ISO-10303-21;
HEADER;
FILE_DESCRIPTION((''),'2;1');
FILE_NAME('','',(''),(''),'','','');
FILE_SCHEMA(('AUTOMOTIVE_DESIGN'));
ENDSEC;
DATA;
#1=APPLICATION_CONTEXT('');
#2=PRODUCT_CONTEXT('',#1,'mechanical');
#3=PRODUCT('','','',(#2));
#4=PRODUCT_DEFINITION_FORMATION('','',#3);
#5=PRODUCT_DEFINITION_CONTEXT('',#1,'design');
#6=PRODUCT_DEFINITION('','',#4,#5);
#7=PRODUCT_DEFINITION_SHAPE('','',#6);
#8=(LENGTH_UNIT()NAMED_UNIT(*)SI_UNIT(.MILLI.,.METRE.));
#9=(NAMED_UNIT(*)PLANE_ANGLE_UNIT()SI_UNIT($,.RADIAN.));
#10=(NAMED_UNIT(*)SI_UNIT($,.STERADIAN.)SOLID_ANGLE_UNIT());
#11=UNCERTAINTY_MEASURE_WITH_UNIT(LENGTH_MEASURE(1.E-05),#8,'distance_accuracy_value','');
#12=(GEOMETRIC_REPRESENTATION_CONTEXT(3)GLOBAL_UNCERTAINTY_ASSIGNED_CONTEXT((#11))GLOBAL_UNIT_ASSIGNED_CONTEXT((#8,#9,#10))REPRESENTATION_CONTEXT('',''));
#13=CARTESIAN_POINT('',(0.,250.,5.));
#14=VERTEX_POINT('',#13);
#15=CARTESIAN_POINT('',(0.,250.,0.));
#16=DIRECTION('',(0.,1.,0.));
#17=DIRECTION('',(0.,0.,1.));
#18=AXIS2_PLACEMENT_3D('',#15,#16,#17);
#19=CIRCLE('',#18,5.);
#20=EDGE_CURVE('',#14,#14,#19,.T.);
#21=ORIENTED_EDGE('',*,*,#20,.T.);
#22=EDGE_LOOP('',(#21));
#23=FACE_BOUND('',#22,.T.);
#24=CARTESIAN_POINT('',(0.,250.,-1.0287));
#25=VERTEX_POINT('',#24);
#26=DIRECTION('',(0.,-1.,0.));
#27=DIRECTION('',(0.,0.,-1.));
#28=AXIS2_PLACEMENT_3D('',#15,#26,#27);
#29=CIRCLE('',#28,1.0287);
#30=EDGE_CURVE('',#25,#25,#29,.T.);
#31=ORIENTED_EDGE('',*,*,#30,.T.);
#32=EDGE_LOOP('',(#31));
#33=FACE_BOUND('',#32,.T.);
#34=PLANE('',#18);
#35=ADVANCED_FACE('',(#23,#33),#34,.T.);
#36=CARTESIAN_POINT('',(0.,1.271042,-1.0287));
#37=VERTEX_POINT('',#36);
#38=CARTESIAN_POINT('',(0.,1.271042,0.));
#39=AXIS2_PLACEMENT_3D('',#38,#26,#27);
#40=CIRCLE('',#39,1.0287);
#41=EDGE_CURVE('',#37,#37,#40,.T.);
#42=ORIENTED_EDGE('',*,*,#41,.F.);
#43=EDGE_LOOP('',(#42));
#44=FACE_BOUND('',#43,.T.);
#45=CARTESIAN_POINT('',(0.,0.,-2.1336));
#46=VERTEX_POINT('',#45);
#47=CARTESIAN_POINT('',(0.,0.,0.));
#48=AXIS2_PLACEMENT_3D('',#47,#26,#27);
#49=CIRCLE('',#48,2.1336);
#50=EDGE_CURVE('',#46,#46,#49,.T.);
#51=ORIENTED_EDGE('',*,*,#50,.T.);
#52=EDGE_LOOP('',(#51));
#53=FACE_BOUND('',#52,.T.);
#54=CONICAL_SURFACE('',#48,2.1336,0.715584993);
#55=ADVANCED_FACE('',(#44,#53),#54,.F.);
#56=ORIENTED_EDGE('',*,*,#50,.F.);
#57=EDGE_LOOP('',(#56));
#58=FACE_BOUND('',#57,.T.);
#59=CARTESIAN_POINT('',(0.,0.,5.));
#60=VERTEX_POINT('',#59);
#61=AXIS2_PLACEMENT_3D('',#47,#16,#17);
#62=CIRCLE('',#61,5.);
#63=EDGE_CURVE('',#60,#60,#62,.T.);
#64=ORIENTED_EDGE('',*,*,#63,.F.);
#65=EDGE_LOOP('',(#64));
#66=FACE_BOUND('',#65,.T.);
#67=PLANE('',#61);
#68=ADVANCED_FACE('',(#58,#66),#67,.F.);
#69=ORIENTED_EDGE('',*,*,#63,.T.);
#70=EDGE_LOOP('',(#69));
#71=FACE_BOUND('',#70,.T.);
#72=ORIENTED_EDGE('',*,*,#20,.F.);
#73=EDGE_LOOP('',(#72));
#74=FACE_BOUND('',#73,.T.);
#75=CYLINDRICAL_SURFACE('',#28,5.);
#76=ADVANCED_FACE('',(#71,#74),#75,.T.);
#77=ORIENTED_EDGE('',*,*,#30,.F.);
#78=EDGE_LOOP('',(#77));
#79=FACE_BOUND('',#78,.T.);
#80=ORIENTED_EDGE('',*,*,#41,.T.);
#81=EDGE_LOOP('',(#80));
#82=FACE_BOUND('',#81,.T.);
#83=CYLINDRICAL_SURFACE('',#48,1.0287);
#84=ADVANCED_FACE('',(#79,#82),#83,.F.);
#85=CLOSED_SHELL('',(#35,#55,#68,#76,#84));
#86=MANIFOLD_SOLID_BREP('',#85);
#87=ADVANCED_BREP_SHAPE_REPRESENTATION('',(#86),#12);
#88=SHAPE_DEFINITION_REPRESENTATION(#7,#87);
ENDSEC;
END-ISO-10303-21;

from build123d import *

# Parameters (mm, degrees)
SKETCH1_R                                         = 5
BOSS_EXTRUDE1_DEPTH                               = 250
CSK_FOR_1_FLAT_HEAD_SOCKET_CAP_SCREW1_D           = 2.0574
CSK_FOR_1_FLAT_HEAD_SOCKET_CAP_SCREW1_CSINK_D     = 4.2672
CSK_FOR_1_FLAT_HEAD_SOCKET_CAP_SCREW1_CSINK_ANGLE = 82


with BuildPart() as part:
    # Sketch1 → Boss-Extrude1 (new body)
    with BuildSketch(Plane(origin=(0, 0, 0), x_dir=(1, 0, 0), z_dir=(0, 1, 0))):
        Circle(SKETCH1_R)
    extrude(amount=BOSS_EXTRUDE1_DEPTH)

    # CSK for #1 Flat Head Socket Cap Screw1 (through all)
    with Locations(Plane(origin=(0, 0, 0), x_dir=(-1, 0, 0), z_dir=(0, -1, 0))):
        with Locations((0, 0)):
            CounterSinkHole(CSK_FOR_1_FLAT_HEAD_SOCKET_CAP_SCREW1_D / 2, CSK_FOR_1_FLAT_HEAD_SOCKET_CAP_SCREW1_CSINK_D / 2, counter_sink_angle=CSK_FOR_1_FLAT_HEAD_SOCKET_CAP_SCREW1_CSINK_ANGLE)


solid = part.part
